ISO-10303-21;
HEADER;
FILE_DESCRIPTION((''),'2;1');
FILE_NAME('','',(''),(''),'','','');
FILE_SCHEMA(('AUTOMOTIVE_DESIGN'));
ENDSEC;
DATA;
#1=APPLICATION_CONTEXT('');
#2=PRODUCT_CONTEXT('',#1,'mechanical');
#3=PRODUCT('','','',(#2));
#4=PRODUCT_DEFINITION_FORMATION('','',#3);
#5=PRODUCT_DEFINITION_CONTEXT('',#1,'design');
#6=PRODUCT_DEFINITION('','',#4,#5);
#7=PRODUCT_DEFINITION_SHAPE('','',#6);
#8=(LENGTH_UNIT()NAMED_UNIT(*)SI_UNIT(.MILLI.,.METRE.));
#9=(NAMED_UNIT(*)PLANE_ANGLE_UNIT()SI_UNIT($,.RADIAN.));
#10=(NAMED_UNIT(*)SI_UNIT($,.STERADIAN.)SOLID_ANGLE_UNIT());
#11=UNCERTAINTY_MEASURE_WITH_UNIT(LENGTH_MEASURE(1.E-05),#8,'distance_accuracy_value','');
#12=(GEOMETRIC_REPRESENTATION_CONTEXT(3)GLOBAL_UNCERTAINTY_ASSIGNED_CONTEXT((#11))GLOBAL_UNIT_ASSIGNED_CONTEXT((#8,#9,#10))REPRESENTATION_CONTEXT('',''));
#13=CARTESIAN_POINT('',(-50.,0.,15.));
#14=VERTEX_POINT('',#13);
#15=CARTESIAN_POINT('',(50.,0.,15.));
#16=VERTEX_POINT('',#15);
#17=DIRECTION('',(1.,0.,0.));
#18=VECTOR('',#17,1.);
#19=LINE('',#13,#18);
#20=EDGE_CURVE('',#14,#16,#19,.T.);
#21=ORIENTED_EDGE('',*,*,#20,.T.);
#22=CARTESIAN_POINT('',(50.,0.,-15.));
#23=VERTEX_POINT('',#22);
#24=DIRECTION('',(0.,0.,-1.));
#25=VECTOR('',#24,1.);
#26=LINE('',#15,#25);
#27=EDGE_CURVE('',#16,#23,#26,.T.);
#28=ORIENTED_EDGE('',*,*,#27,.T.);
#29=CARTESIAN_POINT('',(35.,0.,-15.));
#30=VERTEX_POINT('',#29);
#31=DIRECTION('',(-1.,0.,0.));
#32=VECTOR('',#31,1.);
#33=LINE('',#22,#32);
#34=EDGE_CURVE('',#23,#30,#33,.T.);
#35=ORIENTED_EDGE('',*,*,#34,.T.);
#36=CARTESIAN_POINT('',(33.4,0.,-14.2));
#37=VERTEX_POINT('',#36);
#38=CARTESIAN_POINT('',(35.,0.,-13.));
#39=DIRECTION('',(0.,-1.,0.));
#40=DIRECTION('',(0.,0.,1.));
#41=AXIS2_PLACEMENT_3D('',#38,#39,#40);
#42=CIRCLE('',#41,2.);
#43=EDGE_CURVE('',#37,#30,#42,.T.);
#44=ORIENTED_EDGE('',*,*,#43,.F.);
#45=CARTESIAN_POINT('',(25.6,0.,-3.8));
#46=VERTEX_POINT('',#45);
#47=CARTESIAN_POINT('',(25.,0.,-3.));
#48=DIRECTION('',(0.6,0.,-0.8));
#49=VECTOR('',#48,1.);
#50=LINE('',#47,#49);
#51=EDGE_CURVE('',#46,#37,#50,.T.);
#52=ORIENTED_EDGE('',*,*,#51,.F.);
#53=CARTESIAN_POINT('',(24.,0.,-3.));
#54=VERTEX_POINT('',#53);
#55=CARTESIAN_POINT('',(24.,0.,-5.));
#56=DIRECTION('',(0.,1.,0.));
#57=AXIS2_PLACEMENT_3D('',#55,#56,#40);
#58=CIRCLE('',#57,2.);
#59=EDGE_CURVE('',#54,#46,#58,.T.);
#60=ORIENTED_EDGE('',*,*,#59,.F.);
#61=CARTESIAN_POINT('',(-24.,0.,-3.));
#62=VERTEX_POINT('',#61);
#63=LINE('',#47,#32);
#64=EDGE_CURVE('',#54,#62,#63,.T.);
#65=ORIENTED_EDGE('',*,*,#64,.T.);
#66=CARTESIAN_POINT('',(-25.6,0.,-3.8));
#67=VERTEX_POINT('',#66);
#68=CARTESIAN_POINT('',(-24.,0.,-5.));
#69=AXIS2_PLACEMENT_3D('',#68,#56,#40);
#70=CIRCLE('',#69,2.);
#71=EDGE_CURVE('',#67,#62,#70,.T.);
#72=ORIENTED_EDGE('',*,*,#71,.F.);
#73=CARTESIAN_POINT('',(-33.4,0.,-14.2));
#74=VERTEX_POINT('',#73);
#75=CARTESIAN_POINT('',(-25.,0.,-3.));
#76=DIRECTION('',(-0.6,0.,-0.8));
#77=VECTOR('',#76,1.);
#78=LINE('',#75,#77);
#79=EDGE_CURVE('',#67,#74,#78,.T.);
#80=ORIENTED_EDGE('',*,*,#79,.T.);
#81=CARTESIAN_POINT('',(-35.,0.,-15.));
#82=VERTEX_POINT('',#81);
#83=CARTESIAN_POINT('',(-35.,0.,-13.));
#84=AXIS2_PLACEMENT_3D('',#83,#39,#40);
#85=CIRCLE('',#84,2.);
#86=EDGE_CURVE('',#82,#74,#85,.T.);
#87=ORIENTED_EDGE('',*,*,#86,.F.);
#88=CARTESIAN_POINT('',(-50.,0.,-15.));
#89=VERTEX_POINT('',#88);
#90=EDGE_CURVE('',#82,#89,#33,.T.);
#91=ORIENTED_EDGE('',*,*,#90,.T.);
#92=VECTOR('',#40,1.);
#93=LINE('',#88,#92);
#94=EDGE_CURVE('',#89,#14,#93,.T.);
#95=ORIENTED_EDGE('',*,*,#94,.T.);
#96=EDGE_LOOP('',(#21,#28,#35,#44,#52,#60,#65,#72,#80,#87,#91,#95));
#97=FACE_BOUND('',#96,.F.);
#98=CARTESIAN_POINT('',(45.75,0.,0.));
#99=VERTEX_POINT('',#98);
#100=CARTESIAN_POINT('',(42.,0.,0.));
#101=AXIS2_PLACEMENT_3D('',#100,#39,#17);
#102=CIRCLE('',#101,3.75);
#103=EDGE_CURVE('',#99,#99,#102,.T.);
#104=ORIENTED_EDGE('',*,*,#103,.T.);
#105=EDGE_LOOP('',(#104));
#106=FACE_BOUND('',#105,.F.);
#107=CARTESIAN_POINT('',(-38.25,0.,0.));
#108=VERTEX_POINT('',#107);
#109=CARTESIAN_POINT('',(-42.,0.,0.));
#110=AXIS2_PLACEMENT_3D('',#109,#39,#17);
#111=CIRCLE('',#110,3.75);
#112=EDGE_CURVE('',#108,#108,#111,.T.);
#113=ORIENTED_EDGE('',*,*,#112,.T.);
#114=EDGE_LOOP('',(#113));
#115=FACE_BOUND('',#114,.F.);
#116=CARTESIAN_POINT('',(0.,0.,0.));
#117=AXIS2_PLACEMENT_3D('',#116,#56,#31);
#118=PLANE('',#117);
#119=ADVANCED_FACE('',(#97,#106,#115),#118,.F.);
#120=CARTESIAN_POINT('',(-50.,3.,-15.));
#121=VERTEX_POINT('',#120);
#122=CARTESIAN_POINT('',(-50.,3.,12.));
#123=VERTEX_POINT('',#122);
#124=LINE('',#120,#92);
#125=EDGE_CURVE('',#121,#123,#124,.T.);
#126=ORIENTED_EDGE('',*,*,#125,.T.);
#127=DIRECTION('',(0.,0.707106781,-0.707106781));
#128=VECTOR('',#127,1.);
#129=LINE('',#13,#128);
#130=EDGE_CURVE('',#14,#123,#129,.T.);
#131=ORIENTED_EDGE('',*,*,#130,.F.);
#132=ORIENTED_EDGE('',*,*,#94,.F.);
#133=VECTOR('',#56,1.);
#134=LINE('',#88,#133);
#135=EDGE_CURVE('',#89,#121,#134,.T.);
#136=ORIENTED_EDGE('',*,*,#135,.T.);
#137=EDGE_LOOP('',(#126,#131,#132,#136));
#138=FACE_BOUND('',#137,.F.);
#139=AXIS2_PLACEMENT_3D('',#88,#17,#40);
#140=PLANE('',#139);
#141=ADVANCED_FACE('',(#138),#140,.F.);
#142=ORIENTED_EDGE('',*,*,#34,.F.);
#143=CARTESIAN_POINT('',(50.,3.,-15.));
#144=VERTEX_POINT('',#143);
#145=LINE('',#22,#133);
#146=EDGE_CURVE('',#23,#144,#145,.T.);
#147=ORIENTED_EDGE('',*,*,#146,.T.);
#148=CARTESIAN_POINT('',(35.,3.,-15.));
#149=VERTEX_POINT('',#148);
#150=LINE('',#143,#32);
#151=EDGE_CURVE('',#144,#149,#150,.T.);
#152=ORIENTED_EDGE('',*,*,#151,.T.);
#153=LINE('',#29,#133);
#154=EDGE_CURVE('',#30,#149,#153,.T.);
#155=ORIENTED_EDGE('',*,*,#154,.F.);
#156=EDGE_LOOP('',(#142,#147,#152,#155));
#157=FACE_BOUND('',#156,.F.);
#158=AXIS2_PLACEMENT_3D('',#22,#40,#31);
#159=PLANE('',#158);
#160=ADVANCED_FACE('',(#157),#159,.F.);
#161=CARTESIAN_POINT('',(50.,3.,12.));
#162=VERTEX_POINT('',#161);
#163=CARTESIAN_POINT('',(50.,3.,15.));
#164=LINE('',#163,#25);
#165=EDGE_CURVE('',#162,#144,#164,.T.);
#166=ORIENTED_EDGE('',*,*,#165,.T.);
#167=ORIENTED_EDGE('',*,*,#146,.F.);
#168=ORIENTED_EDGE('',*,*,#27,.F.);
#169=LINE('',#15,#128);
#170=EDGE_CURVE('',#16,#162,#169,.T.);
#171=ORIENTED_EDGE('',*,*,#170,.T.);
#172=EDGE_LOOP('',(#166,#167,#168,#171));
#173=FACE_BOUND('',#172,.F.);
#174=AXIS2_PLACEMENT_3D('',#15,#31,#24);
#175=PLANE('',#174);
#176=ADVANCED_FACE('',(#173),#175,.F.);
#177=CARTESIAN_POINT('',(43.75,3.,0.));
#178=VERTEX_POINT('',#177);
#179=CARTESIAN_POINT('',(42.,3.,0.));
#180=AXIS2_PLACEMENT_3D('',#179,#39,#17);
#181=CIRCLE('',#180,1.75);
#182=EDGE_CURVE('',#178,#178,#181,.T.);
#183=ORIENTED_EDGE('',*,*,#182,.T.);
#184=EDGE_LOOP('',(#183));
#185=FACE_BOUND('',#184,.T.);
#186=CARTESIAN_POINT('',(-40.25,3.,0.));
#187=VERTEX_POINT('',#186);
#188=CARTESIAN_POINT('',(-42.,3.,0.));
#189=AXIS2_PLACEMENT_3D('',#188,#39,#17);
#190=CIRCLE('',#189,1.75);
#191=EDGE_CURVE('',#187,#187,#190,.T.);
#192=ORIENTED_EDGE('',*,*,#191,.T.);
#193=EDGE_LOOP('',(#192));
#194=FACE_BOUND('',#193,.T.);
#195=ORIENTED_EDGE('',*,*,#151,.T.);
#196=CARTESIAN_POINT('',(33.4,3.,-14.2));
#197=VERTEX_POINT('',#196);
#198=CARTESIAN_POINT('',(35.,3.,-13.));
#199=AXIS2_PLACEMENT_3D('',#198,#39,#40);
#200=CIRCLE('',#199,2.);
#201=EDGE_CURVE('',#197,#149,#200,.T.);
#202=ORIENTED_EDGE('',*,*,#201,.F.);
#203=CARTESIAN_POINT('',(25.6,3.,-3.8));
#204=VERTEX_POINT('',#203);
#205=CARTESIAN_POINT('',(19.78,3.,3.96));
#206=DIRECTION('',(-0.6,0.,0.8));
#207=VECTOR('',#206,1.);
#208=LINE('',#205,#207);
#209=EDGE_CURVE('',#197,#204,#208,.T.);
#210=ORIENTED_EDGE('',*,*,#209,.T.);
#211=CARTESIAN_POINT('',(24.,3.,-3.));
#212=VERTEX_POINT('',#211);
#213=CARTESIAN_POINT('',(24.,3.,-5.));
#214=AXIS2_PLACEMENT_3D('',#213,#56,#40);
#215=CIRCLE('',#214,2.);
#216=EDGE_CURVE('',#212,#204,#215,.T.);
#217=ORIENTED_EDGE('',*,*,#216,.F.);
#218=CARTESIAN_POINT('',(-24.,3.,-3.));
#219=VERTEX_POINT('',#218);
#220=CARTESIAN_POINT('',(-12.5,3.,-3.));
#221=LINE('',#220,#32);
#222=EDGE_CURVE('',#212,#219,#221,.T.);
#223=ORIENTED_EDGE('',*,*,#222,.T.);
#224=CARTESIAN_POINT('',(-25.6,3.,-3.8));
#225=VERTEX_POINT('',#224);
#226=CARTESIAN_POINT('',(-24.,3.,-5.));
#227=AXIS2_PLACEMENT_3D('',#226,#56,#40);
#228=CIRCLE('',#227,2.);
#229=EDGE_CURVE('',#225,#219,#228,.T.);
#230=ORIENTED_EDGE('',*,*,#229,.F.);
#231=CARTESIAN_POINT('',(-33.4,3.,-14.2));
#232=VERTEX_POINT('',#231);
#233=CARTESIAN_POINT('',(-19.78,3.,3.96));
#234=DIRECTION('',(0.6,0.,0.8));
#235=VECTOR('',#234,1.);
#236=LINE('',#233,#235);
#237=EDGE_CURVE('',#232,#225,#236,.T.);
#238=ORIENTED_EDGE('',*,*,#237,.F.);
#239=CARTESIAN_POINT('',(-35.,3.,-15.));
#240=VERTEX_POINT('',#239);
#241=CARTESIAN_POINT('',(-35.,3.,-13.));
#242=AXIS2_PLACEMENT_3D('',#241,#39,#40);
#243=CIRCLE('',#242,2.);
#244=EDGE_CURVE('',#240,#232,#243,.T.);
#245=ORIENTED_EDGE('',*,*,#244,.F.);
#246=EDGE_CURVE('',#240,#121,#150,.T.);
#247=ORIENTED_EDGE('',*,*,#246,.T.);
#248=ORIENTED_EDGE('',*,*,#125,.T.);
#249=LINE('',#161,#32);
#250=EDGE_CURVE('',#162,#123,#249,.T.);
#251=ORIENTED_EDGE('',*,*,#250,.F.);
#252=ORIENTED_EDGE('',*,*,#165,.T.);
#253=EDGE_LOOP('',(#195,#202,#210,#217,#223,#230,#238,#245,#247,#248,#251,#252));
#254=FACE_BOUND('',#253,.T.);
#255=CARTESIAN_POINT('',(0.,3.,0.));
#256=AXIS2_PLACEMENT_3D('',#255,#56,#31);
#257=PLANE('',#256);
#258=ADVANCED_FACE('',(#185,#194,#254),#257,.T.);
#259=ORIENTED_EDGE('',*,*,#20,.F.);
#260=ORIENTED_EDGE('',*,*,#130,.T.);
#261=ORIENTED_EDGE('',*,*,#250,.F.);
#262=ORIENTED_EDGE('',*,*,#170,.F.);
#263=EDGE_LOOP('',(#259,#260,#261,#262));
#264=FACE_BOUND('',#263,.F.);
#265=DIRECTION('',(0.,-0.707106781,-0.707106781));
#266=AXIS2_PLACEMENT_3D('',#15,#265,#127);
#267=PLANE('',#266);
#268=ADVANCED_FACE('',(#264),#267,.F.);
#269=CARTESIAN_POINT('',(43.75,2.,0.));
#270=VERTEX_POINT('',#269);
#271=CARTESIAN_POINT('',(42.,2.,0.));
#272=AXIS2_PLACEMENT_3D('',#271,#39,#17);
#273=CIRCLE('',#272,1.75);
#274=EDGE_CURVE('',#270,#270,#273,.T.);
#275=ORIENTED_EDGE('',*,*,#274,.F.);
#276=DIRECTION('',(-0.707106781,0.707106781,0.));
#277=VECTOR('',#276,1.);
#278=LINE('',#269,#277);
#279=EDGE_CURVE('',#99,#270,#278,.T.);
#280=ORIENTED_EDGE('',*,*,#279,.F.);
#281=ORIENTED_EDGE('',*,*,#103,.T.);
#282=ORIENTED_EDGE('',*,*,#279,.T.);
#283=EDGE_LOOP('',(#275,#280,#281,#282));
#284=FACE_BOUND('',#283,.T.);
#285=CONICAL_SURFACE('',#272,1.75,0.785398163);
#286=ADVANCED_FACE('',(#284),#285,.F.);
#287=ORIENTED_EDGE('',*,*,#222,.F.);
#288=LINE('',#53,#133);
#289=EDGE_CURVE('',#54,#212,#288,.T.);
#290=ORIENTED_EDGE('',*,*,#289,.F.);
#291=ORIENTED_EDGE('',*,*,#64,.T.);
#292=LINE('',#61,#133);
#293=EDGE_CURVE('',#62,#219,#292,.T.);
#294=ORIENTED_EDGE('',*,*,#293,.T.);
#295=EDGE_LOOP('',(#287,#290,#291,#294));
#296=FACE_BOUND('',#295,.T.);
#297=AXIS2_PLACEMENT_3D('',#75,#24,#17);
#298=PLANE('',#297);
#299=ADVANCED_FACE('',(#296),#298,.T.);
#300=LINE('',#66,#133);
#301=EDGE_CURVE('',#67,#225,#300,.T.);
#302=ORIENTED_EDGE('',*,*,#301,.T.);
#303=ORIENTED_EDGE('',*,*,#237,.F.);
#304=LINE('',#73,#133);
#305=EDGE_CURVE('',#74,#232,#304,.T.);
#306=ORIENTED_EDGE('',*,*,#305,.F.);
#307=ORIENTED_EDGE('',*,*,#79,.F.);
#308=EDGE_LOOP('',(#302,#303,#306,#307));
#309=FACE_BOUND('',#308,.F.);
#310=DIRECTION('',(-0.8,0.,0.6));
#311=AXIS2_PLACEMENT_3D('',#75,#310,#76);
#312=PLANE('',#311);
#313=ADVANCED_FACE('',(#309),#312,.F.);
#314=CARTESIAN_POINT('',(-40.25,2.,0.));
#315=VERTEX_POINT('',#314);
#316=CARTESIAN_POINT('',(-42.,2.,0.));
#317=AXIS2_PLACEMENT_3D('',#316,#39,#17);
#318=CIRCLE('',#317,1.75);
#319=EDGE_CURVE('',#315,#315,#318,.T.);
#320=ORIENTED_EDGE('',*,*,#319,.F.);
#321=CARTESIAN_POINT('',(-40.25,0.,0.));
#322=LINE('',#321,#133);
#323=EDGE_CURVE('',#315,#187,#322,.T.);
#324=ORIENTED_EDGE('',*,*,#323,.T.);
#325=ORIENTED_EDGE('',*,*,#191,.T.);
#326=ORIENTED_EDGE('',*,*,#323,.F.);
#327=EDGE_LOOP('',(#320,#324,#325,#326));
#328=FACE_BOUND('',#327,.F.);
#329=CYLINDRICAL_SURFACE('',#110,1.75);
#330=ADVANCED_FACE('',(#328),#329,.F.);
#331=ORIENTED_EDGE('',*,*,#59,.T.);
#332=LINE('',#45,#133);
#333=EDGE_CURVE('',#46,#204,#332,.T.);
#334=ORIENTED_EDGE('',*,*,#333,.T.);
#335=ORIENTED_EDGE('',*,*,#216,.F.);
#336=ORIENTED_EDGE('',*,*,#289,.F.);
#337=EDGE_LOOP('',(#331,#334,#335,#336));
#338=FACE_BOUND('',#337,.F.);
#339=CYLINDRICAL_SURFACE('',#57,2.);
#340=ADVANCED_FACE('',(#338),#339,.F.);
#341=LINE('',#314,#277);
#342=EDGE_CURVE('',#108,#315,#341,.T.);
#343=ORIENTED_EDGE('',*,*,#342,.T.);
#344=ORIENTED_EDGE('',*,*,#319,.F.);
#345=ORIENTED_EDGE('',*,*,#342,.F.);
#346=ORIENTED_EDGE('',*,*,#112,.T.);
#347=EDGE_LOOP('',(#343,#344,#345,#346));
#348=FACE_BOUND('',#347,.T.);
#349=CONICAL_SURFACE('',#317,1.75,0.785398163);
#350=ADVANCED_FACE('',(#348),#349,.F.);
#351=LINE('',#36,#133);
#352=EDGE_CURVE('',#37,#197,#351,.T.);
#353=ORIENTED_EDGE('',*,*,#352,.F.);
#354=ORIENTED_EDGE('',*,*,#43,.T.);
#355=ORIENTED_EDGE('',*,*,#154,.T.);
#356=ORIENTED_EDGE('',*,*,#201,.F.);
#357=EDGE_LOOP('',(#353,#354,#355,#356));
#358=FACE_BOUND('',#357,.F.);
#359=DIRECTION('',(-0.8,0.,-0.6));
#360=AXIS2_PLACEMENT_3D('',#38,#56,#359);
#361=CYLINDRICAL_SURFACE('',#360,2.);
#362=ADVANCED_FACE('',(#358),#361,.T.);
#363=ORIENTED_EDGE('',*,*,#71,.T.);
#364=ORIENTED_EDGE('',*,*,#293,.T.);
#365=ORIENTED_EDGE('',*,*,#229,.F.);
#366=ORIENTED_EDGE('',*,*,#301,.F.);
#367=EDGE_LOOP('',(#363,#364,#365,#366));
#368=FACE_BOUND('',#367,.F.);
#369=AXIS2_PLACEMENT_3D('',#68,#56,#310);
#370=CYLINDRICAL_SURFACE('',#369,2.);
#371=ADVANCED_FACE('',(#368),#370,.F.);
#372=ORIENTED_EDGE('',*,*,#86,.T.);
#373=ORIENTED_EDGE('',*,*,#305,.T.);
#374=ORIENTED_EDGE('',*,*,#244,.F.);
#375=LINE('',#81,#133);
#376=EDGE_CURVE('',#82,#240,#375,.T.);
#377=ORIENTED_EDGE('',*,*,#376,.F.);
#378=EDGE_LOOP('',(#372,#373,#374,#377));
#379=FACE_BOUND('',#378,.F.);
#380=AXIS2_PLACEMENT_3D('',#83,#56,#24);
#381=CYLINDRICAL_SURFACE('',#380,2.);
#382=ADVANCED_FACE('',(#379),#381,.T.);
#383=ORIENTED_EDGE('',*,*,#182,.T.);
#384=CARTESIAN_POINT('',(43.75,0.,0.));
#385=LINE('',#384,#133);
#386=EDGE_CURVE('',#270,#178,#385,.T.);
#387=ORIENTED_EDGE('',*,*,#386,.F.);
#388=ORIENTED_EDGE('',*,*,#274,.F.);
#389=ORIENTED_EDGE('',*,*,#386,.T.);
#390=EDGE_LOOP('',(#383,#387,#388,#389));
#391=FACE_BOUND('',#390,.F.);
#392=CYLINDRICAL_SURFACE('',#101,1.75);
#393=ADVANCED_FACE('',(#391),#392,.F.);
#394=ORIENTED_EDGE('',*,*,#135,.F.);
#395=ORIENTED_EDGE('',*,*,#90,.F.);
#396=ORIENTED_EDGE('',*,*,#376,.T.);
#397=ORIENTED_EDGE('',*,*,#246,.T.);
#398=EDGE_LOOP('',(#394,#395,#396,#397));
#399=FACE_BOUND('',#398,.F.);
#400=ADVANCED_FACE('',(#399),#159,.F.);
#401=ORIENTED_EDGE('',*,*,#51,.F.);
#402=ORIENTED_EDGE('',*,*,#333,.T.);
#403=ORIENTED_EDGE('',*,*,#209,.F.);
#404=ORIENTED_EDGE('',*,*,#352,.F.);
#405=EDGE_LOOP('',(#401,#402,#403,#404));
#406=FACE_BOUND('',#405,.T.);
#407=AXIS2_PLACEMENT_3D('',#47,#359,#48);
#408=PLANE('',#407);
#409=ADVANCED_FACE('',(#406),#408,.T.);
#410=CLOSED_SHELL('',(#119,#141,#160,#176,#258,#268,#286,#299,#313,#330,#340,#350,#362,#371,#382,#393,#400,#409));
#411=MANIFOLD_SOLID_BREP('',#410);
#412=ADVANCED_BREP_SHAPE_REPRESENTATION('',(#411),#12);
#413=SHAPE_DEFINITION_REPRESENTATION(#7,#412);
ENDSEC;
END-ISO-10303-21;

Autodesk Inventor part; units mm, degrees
ref_plane "YZ Plane" through (0, 0, 0) normal (1, 0, 0) x (0, 1, 0)
ref_plane "XZ Plane" through (0, 0, 0) normal (0, 1, 0) x (-1, 0, 0)
ref_plane "XY Plane" through (0, 0, 0) normal (0, 0, 1) x (1, 0, 0)
sketch "Sketch1" plane through (0, 0, 0) normal (0, 1, 0) x (-1, 0, 0)
  line L0 (50, 15) -> (-50, 15)
  line L1 (-50, 15) -> (-50, -15)
  line L2 (-50, -15) -> (50, -15)
  line L3 (50, -15) -> (50, 15)
  line L4 (50, 15) -> (-50, -15) construction
  line L5 (-50, 15) -> (50, -15) construction
  point P0 (0, 0)
  dimension "d0" = 100
  dimension "d1" = 30
extrude "Extrusion1" add sketch "Sketch1" along normal blind 3
sketch "Sketch2" plane through (50, 0, 15) normal (1, 0, 0) x (0, 0, -1)
  line L0 (0, 0) -> (3, 3)
  line L1 (0, 0) -> (4.2426, 0) construction
  line L2 (3, 3) -> (0, 3)
  line L3 (0, 0) -> (0, 3) projected
  line L4 (0, 3) -> (0, 0)
  dimension "d4" = 45
extrude "Extrusion2" cut sketch "Sketch2" against normal blind 100
sketch "Sketch3" plane through (0, 0, 0) normal (0, -1, 0) x (1, 0, 0)
  line L0 (25, -15) -> (-25, -15)
  line L1 (-25, -15) -> (-25, -3)
  line L2 (-25, -3) -> (25, -3)
  line L3 (25, -3) -> (25, -15)
  line L4 (0, 0) -> (0, -9.0285)
  line L5 (50, -15) -> (-50, -15) projected
  circle A0 centre (42, 0) radius 1.75
  circle A1 centre (-42, 0) radius 1.75
  line L6 (25, -3) -> (34, -15)
  line L7 (34, -15) -> (25, -15)
  line L8 (-25, -3) -> (-34, -15)
  line L9 (-25, -15) -> (-34, -15)
  line L10 (50, 15) -> (50, -15) projected
  dimension "d7" = 50
  dimension "d8" = 12
  dimension "d9" = 0
  dimension "d10" = 3.5
  dimension "d12" = 15
  dimension "d19" = 9
  dimension "d20" = 9
  dimension "d21" = 8
extrude "Extrusion3" cut sketch "Sketch3" against normal through all
chamfer "Chamfer1" distance 2 angle 45 2 edges at (40.25, 0, 0) (-43.75, 0, 0)
fillet "Fillet1" radius 2 4 edges at (-25, 1.5, -3) (25, 1.5, -3) (-34, 1.5, -15) (34, 1.5, -15)
properties part number "HM_Knife_cut" material "Steel, Alloy"
